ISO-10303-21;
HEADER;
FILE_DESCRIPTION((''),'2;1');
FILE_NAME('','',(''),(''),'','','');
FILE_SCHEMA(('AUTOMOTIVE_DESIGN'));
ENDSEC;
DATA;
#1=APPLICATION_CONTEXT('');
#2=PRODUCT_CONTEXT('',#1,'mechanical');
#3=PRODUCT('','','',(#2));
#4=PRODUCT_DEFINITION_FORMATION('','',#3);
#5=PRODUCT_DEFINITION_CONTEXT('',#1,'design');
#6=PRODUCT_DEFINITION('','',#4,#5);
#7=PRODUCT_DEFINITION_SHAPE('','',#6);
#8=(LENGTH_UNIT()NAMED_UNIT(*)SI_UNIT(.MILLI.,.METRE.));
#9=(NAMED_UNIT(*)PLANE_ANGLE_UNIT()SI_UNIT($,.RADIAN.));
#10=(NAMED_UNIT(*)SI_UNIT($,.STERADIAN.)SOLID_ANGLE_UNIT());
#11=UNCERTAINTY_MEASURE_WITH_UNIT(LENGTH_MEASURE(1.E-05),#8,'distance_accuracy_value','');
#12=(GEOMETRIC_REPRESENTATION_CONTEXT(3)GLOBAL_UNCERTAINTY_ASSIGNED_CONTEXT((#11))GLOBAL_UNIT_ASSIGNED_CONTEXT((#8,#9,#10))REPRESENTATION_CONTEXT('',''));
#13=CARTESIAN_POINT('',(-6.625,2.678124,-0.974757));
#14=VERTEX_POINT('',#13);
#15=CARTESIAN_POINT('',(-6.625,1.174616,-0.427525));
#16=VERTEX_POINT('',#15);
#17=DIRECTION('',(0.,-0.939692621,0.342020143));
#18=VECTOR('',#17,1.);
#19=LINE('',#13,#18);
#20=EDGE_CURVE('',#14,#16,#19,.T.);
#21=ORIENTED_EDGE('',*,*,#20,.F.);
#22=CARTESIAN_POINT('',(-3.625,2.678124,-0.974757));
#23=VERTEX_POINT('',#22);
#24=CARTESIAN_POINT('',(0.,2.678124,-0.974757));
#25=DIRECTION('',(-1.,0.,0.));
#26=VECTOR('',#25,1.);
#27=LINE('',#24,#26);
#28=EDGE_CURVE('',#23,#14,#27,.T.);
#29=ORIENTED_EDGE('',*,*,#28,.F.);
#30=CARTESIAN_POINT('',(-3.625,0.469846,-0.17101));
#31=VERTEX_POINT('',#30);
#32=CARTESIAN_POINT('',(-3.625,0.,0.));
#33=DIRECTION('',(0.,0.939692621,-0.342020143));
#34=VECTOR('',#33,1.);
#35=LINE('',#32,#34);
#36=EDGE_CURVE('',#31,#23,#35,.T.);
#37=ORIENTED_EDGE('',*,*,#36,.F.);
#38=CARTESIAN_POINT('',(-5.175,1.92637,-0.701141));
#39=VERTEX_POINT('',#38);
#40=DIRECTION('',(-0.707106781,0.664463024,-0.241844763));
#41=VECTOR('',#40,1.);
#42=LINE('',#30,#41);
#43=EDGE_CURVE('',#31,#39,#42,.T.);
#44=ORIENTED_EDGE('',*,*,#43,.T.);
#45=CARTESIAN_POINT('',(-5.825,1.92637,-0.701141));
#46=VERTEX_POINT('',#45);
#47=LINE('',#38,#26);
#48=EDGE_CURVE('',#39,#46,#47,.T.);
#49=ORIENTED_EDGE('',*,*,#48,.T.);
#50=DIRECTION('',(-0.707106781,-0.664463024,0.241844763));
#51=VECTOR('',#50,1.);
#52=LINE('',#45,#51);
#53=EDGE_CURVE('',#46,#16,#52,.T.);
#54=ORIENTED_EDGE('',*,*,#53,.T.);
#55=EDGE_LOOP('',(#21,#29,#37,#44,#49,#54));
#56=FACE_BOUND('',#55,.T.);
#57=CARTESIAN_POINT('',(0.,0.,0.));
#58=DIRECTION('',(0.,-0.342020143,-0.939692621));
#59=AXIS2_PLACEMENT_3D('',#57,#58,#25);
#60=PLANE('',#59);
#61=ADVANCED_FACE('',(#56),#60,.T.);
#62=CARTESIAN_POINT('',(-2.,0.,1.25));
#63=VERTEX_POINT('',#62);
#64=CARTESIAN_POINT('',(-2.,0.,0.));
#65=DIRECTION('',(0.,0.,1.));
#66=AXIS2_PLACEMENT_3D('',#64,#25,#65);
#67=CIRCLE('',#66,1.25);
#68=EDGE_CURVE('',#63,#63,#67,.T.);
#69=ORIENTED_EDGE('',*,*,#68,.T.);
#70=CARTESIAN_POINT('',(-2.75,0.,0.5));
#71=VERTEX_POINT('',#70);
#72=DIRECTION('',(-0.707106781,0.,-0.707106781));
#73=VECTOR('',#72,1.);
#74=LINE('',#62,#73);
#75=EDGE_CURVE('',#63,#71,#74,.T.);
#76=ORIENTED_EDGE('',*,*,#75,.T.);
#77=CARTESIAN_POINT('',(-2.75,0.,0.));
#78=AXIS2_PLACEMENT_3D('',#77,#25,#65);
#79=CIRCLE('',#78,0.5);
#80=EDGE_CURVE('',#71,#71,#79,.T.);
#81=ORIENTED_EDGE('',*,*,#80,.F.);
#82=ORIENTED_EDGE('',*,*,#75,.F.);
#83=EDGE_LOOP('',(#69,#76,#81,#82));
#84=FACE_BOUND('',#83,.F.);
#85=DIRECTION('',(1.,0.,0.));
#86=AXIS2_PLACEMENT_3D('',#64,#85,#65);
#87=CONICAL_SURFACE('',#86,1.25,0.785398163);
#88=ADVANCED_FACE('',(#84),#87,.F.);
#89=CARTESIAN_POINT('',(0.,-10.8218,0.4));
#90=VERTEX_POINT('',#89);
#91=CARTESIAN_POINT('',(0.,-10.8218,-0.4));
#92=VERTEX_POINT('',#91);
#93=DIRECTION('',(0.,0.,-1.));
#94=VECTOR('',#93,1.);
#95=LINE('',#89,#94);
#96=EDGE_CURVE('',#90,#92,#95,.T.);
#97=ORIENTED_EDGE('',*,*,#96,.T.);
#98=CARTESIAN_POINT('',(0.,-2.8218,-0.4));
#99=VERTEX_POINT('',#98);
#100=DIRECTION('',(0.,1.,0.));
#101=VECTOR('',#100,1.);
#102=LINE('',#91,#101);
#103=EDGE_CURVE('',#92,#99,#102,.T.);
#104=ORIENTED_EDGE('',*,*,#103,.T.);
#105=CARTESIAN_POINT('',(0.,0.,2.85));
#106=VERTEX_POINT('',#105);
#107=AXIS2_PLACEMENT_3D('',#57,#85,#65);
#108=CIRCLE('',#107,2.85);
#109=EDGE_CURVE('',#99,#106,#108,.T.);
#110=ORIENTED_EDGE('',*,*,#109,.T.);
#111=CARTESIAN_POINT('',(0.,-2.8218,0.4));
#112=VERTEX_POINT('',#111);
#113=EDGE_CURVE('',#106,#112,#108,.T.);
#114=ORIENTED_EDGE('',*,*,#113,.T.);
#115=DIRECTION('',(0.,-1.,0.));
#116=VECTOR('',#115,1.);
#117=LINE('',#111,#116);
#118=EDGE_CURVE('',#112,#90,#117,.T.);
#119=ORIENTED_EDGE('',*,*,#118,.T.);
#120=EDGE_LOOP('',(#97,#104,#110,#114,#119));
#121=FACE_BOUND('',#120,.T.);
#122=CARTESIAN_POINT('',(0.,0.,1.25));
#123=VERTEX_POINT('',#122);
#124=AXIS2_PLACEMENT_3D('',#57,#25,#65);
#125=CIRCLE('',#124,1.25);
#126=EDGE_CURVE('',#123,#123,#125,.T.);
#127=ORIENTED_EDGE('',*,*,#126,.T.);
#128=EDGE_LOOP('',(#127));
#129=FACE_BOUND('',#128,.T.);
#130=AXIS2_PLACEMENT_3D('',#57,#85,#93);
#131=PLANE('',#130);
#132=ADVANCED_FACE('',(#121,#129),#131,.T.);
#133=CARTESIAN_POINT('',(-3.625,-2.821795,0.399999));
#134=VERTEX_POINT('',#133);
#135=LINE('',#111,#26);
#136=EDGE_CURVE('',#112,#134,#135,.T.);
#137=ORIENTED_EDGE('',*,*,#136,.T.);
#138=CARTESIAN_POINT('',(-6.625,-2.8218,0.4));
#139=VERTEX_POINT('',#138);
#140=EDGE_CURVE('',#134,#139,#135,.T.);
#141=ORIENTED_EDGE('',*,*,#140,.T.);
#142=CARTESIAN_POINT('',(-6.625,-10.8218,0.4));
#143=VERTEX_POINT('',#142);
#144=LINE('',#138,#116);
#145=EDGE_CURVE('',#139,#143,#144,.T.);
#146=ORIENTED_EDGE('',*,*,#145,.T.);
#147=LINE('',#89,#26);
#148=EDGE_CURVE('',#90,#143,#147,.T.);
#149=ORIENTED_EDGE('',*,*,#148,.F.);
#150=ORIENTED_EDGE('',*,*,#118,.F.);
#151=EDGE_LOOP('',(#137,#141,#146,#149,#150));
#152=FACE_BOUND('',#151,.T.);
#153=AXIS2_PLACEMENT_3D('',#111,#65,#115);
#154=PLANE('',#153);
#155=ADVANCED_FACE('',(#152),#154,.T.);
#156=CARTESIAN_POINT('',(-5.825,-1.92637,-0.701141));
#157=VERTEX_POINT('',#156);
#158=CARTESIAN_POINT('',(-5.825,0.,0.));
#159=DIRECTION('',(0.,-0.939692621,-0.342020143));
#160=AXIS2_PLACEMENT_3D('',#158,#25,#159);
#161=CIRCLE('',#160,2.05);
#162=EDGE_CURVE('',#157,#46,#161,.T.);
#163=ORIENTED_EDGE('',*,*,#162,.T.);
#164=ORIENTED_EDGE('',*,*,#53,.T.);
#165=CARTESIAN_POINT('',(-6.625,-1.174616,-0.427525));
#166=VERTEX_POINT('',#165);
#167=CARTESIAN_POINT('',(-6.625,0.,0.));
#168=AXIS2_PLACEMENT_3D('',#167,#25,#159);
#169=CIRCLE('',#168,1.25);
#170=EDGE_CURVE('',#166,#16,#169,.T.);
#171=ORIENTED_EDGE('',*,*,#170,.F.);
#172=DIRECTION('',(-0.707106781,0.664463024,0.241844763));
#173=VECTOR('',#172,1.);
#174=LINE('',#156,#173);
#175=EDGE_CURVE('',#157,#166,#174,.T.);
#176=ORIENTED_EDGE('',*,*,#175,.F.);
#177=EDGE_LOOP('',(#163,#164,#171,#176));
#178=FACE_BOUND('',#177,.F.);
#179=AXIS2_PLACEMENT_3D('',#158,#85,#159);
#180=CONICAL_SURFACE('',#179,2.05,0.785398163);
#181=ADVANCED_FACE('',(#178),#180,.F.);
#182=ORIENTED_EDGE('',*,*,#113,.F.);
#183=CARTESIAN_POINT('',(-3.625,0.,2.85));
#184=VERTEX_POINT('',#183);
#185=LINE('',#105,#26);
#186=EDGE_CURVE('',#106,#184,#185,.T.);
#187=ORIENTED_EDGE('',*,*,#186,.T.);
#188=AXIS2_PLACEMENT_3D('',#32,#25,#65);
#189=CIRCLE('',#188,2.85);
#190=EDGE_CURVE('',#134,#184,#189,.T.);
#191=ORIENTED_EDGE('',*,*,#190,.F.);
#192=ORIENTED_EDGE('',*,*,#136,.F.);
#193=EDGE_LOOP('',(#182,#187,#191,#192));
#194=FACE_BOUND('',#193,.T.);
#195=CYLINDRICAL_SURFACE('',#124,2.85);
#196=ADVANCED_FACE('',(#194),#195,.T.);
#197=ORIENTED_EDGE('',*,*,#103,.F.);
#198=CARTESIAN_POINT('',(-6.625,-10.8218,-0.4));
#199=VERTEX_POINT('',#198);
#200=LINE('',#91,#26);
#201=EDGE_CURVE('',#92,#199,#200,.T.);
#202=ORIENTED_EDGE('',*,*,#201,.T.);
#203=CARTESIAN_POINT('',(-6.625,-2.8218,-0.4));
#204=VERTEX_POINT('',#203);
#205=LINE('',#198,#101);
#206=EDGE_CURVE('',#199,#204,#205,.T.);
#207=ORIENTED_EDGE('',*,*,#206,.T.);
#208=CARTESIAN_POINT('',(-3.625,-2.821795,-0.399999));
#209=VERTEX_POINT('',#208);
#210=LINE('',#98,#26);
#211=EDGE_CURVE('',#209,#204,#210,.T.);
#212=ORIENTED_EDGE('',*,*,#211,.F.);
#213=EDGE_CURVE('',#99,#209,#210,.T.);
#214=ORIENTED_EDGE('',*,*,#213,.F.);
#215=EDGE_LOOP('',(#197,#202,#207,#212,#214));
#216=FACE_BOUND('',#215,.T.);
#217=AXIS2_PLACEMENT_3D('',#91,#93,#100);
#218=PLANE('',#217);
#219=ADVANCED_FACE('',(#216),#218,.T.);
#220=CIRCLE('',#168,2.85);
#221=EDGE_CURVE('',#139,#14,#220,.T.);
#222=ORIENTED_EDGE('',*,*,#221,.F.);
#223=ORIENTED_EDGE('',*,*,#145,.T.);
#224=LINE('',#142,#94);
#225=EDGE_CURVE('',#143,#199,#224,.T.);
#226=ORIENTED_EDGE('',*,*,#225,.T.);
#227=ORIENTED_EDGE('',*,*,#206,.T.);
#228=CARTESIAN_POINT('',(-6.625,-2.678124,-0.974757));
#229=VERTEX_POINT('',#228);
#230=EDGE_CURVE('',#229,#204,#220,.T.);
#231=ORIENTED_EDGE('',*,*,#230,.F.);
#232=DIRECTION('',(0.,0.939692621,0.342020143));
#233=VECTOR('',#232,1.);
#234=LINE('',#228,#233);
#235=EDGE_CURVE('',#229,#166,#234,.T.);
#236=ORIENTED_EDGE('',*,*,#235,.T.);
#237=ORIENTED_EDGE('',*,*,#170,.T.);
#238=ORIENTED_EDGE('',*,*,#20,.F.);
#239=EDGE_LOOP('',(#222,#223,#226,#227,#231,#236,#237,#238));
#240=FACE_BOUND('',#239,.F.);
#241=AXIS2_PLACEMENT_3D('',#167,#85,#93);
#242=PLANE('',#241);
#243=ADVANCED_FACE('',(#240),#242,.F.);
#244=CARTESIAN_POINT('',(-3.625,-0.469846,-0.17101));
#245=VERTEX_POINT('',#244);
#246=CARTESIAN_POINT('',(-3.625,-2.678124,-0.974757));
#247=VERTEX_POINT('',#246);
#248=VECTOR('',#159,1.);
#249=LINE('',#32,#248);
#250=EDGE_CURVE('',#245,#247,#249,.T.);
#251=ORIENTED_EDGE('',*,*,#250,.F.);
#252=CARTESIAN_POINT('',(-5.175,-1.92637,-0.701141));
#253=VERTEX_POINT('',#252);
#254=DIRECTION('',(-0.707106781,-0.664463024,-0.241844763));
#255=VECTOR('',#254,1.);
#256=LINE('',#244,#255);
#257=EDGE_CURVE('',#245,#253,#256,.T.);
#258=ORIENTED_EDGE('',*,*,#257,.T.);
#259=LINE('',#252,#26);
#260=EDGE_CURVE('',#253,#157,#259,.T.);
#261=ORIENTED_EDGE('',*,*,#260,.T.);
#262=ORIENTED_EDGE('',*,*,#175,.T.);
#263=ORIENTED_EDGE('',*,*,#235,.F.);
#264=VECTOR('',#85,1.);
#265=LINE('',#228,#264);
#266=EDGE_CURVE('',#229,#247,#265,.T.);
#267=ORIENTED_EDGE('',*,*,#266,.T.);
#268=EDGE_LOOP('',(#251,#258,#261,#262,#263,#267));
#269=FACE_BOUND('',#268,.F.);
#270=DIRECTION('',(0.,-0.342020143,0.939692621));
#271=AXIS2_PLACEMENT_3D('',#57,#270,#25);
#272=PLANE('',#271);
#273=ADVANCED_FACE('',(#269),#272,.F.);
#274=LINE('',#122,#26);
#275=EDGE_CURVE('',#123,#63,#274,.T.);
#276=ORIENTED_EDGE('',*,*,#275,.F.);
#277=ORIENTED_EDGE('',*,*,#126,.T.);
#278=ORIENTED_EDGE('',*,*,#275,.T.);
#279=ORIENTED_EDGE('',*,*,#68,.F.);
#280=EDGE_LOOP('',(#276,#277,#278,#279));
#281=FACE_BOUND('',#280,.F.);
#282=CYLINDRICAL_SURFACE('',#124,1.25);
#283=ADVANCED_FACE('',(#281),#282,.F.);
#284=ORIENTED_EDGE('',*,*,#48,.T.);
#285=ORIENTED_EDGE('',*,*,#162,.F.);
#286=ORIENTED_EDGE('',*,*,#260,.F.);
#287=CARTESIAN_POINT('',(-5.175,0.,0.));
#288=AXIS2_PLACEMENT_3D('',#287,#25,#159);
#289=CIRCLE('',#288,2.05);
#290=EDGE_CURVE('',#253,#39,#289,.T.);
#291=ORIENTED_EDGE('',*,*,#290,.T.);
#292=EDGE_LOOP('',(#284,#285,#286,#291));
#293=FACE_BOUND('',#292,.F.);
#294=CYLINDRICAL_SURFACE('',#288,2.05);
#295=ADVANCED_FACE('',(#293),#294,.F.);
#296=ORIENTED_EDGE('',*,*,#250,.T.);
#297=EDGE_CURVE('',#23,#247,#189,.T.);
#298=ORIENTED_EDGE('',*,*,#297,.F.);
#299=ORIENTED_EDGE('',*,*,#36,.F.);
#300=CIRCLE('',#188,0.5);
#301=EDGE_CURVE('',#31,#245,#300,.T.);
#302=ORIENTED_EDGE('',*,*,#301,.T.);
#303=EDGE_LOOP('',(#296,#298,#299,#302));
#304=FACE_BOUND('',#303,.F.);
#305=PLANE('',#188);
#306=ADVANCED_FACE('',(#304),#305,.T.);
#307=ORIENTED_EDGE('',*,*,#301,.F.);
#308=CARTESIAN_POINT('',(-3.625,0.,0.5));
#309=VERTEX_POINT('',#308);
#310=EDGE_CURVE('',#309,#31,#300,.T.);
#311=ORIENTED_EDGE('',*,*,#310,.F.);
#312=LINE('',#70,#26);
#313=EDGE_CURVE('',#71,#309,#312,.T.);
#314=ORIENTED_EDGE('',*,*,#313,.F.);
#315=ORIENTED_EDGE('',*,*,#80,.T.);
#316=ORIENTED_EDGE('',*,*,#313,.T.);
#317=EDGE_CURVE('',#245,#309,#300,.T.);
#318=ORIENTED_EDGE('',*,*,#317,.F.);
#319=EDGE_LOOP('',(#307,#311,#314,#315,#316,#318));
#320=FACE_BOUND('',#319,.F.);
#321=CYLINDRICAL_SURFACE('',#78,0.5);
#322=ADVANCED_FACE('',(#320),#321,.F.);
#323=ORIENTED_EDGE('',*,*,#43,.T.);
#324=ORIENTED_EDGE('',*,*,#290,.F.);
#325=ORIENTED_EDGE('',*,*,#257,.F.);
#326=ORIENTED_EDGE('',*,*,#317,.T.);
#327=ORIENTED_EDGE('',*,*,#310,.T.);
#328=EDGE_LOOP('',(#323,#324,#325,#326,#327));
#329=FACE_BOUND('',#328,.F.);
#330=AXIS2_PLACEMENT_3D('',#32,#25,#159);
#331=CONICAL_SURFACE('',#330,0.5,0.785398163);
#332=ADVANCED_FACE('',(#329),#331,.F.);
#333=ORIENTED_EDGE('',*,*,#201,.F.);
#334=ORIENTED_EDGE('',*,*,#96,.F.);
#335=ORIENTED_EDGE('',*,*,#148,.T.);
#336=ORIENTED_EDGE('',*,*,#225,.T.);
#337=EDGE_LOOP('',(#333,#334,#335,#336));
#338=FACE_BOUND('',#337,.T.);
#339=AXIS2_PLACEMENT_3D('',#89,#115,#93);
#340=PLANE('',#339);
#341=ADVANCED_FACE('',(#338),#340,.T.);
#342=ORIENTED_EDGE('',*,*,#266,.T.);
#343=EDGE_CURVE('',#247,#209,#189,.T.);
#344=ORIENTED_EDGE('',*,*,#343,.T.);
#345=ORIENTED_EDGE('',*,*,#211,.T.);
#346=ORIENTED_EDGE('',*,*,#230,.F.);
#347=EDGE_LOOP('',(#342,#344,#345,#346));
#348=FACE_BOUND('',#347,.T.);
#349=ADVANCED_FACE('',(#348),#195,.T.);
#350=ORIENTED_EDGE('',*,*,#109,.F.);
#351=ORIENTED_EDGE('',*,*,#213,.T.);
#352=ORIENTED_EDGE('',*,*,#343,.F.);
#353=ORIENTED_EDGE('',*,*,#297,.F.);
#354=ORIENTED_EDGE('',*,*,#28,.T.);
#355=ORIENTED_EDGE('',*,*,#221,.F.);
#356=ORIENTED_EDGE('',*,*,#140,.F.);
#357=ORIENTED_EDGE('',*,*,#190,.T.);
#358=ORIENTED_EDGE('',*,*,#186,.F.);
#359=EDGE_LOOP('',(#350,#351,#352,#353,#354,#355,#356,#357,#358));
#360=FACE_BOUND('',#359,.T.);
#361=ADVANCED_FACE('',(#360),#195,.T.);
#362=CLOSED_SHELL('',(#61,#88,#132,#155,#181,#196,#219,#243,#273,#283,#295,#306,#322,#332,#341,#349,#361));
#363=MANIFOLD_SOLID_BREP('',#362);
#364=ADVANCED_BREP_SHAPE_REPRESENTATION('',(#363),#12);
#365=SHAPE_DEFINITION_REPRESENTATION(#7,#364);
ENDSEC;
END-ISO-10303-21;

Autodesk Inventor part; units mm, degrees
ref_plane "YZ Plane" through (0, 0, 0) normal (1, 0, 0) x (0, 1, 0)
ref_plane "XZ Plane" through (0, 0, 0) normal (0, 1, 0) x (-1, 0, 0)
ref_plane "XY Plane" through (0, 0, 0) normal (0, 0, 1) x (1, 0, 0)
sketch "Sketch1" plane through (0, 0, 0) normal (0, 1, 0) x (-1, 0, 0)
  line L0 (1.5, -2.15) -> (2.25, -2.15)
  line L1 (4.15, -2.96) -> (-1, -2.96)
  line L2 (-1, -2.96) -> (-1, -5)
  line L3 (0.8364, -2.3) -> (-2, -2.3)
  line L4 (-1, -5) -> (-2, -5)
  line L5 (-2, -5) -> (-2, -2.3)
  line L6 (-0.8, -0.5) -> (0.8364, -2.3)
  line L7 (0, 0) -> (-5, 0) construction
  line L8 (1.5, -2.15) -> (0, -0.5)
  line L9 (0, -0.5) -> (-0.8, -0.5)
  line L10 (2.25, -2.15) -> (3.25, -0.5)
  line L11 (3.25, -0.5) -> (4.05, -0.5)
  line L12 (4.05, -0.5) -> (4.15, -2.96)
  dimension "d0" = 2.3
  dimension "d4" = 2.15
  dimension "d5" = 0.75
  dimension "d9" = 0.81
  dimension "d10" = 1
  dimension "d11" = 5
  dimension "d22" = 0.8
  dimension "d27" = 0.8
  dimension "d45" = 3.5
  dimension "d47" = 1.5
  dimension "d48" = 0.1
  dimension "d54" = 0.5
  dimension "d55" = 1
sketch "Sketch4" plane through (0, 0, 0) normal (0, 1, 0) x (-1, 0, 0)
  line L0 (0, 1.25) -> (0, 2.85)
  line L1 (0, 2.85) -> (6.625, 2.85)
  line L2 (6.625, 2.85) -> (6.625, 1.25)
  line L3 (3.625, 0.5) -> (5.175, 2.05)
  line L4 (5.175, 2.05) -> (5.825, 2.05)
  line L5 (5.825, 2.05) -> (6.625, 1.25)
  line L6 (0, 1.25) -> (2, 1.25)
  line L7 (2, 1.25) -> (2.75, 0.5)
  line L8 (2.75, 0.5) -> (3.625, 0.5)
  line L9 (3.625, 0.5) -> (3.625, 2.85)
  line L10 (0, 0) -> (1.5, 0)
  point P0 (5.5, 2.05)
  dimension "d56" = 1.25
  dimension "d57" = 2
  dimension "d58" = 135
  dimension "d59" = 0.5
  dimension "d61" = 2.05
  dimension "d62" = 0.65
  dimension "d63" = 0.8
  dimension "d65" = 3.5
  dimension "d68" = 1.6
revolve "Revolution5" add sketch "Sketch4" angle 360 about axis through (0, 0, 0) along (-1, 0, 0) contours L0 L1 L9 L8 L7 L6
revolve "Revolution6" add sketch "Sketch4" angle 220 mid plane about axis through (0, 0, 0) along (-1, 0, 0)
sketch "Sketch5" plane through (0, 0, 0) normal (1, 0, 0) x (0, 0, -1)
  circle A0 centre (0, 0) radius 2.85 projected
  line L0 (-0.4, 2.8218) -> (-0.4, 10.8218)
  line L1 (-0.4, 10.8218) -> (0.4, 10.8218)
  line L2 (0.4, 10.8218) -> (0.4, 2.8218)
  arc A1 (0.9748, 2.6781) -> (0.9748, -2.6781) centre (0, 0) ccw projected
  line L3 (-2.8218, -0.4) -> (-10.8218, -0.4)
  line L4 (-10.8218, -0.4) -> (-10.8218, 0.4)
  line L5 (-10.8218, 0.4) -> (-2.8218, 0.4)
  line L6 (-0.4, -2.8218) -> (-0.4, -10.8218)
  line L7 (-0.4, -10.8218) -> (0.4, -10.8218)
  line L8 (0.4, -10.8218) -> (0.4, -2.8218)
  point P0 (-2.8218, 0.4)
  point P1 (0.4, -2.8218)
  dimension "d69" = 0.8
  dimension "d70" = 8
  dimension "d15" = 1.2
  dimension "d30" = 1.2
  dimension "d31" = 1.2
  dimension "d34" = 3.5
  dimension "d50" = 120
  dimension "d51" = 0.8
extrude "Extrusion5" add sketch "Sketch5" against normal up to surface (6.625 mm away) contours L8 L7 L6 A0
sketch "Sketch3" plane through (-9.15, 0, 0) normal (-1, 0, 0) x (0, 1, 0)
  arc A0 (1, 0.4583) -> (0, -1.1) centre (0, 0) ccw projected
  arc A1 (1, 0.4583) -> (0, -1.1) centre (0, 0) ccw projected
  arc A2 (1.0439, -0.3469) -> (-1.0439, -0.3469) centre (0, 2.5349) ccw
  arc A3 (0.6833, -0.8621) -> (-0.6833, -0.8621) centre (0, 2.5349) ccw
  circle A4 centre (0, 0) radius 6 projected
  dimension "d42" = 0.4
properties part number "adjustable_collimator"
